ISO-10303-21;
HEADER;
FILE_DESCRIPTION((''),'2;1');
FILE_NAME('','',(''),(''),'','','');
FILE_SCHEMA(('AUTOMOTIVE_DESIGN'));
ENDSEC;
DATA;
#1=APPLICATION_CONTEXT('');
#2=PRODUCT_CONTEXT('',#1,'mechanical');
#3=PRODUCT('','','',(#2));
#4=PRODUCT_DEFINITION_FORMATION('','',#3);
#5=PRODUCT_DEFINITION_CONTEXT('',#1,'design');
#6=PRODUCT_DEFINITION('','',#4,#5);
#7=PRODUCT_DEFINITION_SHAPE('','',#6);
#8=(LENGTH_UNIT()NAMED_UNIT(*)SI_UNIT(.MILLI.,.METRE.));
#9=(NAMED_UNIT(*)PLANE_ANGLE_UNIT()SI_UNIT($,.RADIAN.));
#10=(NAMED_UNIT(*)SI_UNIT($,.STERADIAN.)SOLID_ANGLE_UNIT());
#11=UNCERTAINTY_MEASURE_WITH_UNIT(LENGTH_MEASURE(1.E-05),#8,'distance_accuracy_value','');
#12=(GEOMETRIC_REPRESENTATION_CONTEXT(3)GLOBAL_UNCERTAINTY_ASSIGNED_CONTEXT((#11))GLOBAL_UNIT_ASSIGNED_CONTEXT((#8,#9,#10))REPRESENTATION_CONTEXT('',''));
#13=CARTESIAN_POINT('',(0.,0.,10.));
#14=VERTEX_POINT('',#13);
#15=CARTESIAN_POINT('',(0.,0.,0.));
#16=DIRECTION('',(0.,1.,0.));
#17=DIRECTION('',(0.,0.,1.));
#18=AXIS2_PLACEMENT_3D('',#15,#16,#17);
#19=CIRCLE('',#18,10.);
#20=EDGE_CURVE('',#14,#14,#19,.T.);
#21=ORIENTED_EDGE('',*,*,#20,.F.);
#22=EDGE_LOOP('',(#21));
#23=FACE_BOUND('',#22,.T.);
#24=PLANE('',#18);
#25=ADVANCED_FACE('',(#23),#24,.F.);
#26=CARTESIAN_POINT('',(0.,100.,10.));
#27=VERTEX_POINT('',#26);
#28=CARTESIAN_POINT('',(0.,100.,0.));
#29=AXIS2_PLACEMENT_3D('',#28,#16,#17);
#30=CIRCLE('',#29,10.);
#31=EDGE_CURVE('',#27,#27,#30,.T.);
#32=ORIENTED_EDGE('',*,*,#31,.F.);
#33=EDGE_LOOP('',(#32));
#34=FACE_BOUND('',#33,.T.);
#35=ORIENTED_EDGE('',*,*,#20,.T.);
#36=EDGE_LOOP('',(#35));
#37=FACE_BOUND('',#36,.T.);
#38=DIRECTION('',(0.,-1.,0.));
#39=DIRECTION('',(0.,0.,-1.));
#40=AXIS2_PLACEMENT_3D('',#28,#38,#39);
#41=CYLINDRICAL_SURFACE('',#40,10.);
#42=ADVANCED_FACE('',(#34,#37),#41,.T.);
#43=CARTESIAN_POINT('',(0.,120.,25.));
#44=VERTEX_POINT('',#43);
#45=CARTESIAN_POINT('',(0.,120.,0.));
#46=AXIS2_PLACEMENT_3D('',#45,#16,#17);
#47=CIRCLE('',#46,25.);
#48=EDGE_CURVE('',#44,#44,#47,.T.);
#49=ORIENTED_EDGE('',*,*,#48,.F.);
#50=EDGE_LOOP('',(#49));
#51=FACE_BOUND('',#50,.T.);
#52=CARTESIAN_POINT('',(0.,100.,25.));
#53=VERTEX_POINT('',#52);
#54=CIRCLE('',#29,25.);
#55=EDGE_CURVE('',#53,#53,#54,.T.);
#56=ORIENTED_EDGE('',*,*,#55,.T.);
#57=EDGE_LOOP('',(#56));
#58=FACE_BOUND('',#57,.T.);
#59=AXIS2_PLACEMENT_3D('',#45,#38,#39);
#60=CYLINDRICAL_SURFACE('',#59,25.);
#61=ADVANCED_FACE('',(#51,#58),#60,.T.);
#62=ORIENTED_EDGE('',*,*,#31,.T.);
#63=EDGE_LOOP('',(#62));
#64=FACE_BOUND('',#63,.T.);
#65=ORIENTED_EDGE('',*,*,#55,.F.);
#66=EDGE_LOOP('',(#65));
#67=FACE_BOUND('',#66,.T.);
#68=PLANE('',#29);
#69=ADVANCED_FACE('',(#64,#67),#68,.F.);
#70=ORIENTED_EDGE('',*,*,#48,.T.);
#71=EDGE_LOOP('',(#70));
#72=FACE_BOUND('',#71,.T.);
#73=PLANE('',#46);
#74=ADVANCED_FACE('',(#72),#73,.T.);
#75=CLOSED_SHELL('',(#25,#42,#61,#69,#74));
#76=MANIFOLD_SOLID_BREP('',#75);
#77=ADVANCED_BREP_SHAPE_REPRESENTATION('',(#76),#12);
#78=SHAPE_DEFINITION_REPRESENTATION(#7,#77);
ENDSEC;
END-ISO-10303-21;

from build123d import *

# Parameters (mm, degrees)
SKETCH4_R           = 10
BOSS_EXTRUDE5_DEPTH = 100
SKETCH5_R           = 25
BOSS_EXTRUDE6_DEPTH = 20


with BuildPart() as part:
    # Sketch4 → Boss-Extrude5 (new body)
    with BuildSketch(Plane(origin=(0, 0, 0), x_dir=(1, 0, 0), z_dir=(0, 1, 0))):
        Circle(SKETCH4_R)
    extrude(amount=BOSS_EXTRUDE5_DEPTH)

    # Sketch5 → Boss-Extrude6 (add)
    with BuildSketch(Plane(origin=(0, 100, 0), x_dir=(1, 0, 0), z_dir=(0, 1, 0))):
        Circle(SKETCH5_R)
    extrude(amount=BOSS_EXTRUDE6_DEPTH)


solid = part.part
